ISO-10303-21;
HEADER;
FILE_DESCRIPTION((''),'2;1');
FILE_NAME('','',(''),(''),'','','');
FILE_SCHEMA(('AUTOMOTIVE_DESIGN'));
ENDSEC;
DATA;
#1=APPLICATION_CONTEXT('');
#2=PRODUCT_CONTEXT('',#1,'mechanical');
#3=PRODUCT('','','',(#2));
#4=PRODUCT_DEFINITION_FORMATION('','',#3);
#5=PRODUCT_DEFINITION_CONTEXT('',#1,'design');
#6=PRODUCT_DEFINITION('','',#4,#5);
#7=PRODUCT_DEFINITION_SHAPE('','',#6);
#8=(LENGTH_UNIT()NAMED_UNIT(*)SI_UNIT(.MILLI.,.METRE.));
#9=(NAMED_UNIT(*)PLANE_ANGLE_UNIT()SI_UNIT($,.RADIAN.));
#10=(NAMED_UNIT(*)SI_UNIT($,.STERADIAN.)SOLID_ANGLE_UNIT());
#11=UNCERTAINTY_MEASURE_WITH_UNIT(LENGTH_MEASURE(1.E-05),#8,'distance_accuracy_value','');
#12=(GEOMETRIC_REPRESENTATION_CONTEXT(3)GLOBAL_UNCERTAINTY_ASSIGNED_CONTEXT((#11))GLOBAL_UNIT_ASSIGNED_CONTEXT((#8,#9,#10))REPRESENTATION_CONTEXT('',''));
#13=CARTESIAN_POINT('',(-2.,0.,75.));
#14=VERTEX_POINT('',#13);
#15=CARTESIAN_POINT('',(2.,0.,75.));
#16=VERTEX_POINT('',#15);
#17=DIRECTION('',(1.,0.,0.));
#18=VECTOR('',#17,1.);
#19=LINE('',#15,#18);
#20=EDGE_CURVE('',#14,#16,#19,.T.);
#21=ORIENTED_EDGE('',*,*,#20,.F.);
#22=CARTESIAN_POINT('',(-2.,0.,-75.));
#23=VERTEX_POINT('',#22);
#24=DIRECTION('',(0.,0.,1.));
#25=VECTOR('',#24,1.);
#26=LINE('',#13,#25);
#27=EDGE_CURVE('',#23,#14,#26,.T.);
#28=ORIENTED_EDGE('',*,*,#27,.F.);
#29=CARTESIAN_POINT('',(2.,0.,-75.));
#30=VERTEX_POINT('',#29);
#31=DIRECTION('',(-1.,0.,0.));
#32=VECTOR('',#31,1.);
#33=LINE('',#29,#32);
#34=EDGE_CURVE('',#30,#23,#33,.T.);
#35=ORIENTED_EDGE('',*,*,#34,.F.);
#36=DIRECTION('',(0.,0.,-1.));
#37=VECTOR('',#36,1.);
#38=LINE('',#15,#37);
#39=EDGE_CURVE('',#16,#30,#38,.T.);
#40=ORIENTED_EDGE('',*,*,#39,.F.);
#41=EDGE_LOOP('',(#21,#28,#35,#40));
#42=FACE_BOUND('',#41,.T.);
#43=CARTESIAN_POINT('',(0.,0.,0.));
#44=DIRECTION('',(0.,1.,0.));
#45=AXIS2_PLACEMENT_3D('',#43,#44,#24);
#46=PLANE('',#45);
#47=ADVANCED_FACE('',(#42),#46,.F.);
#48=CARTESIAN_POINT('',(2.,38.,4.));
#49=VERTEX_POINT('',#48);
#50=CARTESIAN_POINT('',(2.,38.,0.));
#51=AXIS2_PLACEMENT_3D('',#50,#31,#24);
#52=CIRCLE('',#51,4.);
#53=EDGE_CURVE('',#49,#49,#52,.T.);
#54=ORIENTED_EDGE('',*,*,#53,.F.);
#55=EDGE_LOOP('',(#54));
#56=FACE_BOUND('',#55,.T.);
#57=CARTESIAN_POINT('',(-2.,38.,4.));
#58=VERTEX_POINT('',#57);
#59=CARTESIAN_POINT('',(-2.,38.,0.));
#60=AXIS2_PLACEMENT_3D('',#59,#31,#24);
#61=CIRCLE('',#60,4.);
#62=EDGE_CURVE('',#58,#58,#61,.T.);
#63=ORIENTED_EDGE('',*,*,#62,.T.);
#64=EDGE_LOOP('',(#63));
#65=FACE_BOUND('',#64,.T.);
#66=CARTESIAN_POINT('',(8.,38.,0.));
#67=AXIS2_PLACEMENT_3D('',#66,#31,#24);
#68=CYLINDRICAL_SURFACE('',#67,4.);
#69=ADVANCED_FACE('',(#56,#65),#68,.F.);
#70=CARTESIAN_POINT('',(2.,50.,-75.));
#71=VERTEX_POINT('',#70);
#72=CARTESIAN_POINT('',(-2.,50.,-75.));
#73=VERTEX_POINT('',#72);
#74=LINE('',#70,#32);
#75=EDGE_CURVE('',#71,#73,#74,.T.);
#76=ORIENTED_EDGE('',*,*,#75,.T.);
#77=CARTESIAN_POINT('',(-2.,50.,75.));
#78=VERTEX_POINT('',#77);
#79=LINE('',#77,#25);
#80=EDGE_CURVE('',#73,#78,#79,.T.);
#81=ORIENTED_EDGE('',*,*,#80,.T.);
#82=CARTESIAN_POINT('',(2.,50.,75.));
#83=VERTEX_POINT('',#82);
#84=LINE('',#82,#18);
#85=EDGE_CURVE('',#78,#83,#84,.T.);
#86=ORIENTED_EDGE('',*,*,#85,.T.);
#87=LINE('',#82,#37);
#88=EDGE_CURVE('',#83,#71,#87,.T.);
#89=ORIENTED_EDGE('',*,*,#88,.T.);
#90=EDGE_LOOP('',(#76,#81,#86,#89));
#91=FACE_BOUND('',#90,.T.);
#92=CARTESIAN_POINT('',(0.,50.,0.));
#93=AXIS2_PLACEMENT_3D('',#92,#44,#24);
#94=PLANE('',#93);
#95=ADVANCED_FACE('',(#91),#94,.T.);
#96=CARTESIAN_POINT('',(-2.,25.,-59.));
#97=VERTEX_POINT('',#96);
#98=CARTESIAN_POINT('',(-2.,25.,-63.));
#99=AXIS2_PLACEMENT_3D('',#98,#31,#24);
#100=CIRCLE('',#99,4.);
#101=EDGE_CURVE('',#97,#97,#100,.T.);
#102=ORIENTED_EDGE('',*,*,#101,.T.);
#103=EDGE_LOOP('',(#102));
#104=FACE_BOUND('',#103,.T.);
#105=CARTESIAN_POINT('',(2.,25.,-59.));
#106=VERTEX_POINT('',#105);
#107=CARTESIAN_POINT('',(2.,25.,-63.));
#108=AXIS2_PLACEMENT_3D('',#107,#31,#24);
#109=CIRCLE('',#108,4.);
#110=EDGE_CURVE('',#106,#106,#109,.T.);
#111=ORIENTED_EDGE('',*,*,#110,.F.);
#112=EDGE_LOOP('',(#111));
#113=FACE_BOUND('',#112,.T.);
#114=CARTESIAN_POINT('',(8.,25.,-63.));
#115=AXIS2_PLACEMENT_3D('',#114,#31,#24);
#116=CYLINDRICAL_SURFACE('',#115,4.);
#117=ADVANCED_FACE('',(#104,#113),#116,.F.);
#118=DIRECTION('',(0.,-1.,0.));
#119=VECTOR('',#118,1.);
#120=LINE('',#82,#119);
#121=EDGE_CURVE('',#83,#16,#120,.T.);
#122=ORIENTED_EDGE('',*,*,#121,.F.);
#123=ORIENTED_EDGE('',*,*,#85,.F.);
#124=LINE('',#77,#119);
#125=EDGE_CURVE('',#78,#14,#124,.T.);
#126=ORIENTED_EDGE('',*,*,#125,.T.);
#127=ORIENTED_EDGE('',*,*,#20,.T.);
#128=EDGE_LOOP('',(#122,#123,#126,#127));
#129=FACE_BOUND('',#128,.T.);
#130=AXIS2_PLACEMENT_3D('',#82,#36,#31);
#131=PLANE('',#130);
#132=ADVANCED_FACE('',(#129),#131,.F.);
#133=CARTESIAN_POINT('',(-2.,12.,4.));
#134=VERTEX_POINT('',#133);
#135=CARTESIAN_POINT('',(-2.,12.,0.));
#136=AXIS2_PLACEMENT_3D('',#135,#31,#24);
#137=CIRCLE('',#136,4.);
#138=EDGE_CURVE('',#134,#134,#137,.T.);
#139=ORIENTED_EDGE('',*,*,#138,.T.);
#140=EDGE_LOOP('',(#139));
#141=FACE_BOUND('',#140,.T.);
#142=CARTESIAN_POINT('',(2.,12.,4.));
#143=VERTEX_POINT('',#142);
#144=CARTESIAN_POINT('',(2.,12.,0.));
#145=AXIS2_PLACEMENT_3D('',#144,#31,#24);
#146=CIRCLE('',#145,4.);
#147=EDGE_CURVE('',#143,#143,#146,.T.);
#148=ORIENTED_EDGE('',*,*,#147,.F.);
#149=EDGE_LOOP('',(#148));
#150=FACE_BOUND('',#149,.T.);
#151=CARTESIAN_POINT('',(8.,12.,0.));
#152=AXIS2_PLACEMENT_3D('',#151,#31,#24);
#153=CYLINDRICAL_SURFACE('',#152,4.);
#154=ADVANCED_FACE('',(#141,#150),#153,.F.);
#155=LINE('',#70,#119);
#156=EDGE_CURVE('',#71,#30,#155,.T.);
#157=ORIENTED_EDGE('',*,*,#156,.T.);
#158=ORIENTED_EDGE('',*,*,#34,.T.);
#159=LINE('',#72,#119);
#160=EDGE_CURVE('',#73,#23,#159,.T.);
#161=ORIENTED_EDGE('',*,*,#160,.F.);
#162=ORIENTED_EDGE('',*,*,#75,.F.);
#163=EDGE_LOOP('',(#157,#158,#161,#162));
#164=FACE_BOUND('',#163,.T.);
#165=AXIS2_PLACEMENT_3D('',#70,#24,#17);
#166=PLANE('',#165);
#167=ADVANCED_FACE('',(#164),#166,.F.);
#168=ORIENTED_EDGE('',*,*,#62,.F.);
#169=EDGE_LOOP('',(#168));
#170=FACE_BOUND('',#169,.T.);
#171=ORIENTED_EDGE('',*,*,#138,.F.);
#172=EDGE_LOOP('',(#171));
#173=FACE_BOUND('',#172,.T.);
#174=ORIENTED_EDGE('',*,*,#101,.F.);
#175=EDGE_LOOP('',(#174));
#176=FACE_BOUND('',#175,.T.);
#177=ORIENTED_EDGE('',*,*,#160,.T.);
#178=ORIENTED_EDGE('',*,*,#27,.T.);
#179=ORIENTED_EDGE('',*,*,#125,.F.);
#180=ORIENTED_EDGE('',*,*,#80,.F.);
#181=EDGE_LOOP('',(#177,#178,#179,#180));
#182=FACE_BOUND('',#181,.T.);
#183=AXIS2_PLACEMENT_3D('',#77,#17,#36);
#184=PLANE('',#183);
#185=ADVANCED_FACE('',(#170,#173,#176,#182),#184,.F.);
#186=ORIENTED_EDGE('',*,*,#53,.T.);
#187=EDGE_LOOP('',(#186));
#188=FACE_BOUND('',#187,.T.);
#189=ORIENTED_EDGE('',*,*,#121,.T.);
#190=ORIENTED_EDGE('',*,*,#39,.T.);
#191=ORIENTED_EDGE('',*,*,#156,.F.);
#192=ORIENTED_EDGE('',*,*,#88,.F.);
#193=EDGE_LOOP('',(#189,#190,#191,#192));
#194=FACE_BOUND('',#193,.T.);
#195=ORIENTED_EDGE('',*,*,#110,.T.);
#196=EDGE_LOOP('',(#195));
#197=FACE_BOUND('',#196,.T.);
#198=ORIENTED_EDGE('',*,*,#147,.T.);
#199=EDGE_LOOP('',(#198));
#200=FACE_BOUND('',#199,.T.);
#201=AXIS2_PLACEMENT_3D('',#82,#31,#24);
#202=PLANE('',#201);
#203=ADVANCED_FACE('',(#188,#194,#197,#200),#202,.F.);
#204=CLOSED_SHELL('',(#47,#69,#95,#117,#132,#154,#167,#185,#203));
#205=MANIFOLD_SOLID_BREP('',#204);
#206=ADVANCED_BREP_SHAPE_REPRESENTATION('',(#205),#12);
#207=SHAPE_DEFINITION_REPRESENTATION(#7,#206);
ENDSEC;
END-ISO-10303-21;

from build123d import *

# Parameters (mm, degrees)
SKETCH1_W           = 4
SKETCH1_H           = 150
BOSS_EXTRUDE1_DEPTH = 50
SKETCH2_R           = 4
CUT_EXTRUDE1_DEPTH  = 10


with BuildPart() as part:
    # Sketch1 → Boss-Extrude1 (new body)
    with BuildSketch(Plane(origin=(0, 0, 0), x_dir=(1, 0, 0), z_dir=(0, 1, 0))):
        Rectangle(SKETCH1_W, SKETCH1_H)
    extrude(amount=BOSS_EXTRUDE1_DEPTH)

    # Sketch2 → Cut-Extrude1 (cut)
    with BuildSketch(Plane.ZY.offset(2)):
        with Locations((0, 38)):
            Circle(SKETCH2_R)
        with Locations((0, 12)):
            Circle(SKETCH2_R)
        with Locations((-63, 25)):
            Circle(SKETCH2_R)
    extrude(amount=-CUT_EXTRUDE1_DEPTH, mode=Mode.SUBTRACT)


solid = part.part
